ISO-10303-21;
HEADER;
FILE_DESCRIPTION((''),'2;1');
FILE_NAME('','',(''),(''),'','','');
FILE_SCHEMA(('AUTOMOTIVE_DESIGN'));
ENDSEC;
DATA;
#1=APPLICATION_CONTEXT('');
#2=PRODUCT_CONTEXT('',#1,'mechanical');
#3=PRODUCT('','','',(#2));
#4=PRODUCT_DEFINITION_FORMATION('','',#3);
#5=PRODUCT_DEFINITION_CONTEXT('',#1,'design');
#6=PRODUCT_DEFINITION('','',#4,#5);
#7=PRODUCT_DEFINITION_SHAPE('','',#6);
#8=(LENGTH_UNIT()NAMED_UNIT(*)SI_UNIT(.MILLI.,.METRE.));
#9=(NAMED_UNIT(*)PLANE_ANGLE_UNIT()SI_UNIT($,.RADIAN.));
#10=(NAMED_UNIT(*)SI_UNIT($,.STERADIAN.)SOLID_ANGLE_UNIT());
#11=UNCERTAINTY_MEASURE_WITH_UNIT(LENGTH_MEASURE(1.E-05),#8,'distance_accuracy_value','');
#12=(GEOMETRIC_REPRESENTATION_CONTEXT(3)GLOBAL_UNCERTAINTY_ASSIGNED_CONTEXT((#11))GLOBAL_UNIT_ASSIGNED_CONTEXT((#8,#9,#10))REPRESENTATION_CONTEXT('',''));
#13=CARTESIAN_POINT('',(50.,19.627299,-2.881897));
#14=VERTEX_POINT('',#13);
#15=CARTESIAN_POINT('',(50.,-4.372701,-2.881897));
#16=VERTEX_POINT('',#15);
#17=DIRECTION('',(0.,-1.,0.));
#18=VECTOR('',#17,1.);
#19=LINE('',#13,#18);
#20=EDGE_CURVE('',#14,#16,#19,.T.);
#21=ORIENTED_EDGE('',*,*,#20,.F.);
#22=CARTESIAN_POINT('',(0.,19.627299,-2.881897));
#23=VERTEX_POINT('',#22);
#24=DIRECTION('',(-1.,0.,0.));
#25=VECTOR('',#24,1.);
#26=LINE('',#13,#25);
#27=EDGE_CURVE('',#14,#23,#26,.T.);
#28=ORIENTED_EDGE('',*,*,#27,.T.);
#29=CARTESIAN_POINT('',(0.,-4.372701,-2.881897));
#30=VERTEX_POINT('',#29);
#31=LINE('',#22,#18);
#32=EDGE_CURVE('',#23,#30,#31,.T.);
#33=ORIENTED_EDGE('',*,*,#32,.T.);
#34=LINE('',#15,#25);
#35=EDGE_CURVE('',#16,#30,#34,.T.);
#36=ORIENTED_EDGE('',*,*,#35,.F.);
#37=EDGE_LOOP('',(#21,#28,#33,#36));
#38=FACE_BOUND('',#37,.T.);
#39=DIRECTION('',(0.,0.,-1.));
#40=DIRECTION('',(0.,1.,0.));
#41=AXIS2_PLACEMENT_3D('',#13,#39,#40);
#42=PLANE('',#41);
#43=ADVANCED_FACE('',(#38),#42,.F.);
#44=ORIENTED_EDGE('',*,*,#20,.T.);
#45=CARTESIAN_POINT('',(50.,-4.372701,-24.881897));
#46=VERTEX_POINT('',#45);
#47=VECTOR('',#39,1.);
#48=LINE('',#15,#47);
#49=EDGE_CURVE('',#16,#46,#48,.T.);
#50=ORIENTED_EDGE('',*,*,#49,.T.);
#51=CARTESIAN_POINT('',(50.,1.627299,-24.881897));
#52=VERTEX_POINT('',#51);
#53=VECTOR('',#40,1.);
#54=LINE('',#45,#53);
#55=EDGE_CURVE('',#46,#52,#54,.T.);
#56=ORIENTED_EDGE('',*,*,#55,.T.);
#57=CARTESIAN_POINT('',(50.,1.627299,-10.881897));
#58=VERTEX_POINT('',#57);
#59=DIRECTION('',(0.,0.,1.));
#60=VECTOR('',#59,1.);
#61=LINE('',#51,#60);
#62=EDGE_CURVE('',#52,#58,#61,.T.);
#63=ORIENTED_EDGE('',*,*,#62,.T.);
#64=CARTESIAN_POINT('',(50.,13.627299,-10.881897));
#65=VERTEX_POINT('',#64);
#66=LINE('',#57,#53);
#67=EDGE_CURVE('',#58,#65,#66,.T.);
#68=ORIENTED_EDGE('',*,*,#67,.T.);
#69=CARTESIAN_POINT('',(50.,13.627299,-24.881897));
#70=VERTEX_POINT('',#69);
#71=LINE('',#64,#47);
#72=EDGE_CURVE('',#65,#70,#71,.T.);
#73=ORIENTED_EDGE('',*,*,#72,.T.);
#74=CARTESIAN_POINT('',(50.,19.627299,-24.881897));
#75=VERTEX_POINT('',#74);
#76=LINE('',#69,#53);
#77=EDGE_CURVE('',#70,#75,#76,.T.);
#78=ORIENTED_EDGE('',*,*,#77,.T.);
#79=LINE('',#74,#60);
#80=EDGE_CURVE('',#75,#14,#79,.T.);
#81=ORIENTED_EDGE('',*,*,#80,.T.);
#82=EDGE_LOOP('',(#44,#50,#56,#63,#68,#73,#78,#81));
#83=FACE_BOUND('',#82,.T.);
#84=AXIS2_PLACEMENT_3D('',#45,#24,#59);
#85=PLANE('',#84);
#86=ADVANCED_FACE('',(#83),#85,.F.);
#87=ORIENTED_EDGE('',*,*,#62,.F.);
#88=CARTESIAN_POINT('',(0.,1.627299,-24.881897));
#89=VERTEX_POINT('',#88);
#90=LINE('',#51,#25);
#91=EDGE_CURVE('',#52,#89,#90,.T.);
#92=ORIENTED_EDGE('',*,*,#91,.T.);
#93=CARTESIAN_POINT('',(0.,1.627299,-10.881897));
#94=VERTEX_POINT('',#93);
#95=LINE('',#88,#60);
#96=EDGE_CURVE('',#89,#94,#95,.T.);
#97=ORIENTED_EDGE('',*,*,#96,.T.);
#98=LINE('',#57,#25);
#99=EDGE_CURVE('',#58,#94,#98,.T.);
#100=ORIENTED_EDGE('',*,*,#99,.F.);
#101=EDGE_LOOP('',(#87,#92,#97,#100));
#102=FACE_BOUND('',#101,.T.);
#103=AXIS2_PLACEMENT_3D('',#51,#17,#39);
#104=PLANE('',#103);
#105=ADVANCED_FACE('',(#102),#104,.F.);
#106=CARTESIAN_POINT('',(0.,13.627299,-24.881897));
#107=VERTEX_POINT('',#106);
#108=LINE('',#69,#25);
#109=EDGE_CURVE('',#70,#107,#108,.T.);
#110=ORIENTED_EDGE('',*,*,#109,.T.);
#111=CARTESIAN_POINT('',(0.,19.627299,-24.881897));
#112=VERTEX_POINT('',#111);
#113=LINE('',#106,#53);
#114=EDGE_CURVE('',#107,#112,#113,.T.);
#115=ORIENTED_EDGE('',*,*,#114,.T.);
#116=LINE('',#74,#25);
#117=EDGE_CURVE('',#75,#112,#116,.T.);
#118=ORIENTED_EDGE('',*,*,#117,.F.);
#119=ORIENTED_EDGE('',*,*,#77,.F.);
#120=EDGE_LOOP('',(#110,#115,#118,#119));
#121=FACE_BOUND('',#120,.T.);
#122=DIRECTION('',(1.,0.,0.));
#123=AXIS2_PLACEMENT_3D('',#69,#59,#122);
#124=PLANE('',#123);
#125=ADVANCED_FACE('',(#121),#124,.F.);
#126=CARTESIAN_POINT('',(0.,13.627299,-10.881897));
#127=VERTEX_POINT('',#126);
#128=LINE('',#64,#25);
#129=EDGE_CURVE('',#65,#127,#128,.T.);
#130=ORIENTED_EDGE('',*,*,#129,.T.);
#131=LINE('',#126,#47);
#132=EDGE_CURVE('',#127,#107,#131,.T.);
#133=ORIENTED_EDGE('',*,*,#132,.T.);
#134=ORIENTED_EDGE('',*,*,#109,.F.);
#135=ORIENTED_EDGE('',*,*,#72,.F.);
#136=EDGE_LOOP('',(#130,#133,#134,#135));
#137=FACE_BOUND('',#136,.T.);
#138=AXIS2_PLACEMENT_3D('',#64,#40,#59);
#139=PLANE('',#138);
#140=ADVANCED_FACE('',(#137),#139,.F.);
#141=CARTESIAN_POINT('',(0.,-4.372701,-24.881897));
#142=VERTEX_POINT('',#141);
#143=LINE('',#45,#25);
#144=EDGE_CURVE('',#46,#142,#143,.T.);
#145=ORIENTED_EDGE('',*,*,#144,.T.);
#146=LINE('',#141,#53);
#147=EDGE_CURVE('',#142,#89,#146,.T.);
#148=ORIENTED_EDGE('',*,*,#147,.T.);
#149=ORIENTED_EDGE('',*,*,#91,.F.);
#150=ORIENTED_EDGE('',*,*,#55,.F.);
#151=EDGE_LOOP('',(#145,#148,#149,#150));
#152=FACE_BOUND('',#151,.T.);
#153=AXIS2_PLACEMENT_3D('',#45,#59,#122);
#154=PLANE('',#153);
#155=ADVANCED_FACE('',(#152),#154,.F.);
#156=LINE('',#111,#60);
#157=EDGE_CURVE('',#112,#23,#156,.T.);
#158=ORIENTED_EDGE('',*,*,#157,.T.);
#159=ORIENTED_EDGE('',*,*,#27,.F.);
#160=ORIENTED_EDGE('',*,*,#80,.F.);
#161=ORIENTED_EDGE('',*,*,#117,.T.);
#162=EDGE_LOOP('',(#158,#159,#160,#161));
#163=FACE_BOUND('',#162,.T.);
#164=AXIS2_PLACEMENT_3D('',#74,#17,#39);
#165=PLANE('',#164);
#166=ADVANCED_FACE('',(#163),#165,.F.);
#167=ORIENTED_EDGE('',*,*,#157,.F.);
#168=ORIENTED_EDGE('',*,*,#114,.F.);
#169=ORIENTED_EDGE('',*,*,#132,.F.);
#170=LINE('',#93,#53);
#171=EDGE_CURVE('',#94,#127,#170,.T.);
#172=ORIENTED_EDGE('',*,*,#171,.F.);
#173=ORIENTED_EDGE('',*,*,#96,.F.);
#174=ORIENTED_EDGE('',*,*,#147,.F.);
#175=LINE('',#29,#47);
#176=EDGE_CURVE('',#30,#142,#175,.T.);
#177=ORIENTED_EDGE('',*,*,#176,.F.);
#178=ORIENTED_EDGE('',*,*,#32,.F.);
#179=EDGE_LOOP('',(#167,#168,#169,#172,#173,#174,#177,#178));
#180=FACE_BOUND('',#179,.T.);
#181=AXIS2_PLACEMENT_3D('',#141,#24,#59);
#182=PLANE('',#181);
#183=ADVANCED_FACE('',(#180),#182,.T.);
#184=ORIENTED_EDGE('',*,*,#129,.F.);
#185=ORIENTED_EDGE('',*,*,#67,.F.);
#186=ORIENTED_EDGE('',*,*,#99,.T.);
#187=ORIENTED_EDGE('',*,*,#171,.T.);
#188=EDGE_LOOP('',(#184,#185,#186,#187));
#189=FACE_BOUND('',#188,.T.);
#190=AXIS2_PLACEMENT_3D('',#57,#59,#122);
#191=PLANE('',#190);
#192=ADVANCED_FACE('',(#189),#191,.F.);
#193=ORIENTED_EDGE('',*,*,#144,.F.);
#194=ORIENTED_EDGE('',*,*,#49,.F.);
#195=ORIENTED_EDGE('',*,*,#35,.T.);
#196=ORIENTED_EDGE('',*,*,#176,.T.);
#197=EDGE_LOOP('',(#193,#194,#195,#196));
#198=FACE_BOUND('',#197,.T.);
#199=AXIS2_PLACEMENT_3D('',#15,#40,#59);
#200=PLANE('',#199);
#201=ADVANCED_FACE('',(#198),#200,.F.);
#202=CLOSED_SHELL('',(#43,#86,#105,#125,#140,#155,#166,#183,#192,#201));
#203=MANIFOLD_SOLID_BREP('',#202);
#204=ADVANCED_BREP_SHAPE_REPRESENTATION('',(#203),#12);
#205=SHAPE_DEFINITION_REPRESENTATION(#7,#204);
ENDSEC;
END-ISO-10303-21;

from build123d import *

# Parameters (mm, degrees)
EXTRUDE1_DEPTH = 50


with BuildPart() as part:
    # Sketch1 → Extrude1 (new body)
    with BuildSketch(Plane(origin=(0, 0, 0), x_dir=(0, 0, -1), z_dir=(1, 0, 0))):
        Polygon((24.881896552, 19.627298851), (2.881896552, 19.627298851), (2.881896552, -4.372701149), (24.881896552, -4.372701149), (24.881896552, 1.627298851), (10.881896552, 1.627298851), (10.881896552, 13.627298851), (24.881896552, 13.627298851), align=None)
    extrude(amount=EXTRUDE1_DEPTH)


solid = part.part
